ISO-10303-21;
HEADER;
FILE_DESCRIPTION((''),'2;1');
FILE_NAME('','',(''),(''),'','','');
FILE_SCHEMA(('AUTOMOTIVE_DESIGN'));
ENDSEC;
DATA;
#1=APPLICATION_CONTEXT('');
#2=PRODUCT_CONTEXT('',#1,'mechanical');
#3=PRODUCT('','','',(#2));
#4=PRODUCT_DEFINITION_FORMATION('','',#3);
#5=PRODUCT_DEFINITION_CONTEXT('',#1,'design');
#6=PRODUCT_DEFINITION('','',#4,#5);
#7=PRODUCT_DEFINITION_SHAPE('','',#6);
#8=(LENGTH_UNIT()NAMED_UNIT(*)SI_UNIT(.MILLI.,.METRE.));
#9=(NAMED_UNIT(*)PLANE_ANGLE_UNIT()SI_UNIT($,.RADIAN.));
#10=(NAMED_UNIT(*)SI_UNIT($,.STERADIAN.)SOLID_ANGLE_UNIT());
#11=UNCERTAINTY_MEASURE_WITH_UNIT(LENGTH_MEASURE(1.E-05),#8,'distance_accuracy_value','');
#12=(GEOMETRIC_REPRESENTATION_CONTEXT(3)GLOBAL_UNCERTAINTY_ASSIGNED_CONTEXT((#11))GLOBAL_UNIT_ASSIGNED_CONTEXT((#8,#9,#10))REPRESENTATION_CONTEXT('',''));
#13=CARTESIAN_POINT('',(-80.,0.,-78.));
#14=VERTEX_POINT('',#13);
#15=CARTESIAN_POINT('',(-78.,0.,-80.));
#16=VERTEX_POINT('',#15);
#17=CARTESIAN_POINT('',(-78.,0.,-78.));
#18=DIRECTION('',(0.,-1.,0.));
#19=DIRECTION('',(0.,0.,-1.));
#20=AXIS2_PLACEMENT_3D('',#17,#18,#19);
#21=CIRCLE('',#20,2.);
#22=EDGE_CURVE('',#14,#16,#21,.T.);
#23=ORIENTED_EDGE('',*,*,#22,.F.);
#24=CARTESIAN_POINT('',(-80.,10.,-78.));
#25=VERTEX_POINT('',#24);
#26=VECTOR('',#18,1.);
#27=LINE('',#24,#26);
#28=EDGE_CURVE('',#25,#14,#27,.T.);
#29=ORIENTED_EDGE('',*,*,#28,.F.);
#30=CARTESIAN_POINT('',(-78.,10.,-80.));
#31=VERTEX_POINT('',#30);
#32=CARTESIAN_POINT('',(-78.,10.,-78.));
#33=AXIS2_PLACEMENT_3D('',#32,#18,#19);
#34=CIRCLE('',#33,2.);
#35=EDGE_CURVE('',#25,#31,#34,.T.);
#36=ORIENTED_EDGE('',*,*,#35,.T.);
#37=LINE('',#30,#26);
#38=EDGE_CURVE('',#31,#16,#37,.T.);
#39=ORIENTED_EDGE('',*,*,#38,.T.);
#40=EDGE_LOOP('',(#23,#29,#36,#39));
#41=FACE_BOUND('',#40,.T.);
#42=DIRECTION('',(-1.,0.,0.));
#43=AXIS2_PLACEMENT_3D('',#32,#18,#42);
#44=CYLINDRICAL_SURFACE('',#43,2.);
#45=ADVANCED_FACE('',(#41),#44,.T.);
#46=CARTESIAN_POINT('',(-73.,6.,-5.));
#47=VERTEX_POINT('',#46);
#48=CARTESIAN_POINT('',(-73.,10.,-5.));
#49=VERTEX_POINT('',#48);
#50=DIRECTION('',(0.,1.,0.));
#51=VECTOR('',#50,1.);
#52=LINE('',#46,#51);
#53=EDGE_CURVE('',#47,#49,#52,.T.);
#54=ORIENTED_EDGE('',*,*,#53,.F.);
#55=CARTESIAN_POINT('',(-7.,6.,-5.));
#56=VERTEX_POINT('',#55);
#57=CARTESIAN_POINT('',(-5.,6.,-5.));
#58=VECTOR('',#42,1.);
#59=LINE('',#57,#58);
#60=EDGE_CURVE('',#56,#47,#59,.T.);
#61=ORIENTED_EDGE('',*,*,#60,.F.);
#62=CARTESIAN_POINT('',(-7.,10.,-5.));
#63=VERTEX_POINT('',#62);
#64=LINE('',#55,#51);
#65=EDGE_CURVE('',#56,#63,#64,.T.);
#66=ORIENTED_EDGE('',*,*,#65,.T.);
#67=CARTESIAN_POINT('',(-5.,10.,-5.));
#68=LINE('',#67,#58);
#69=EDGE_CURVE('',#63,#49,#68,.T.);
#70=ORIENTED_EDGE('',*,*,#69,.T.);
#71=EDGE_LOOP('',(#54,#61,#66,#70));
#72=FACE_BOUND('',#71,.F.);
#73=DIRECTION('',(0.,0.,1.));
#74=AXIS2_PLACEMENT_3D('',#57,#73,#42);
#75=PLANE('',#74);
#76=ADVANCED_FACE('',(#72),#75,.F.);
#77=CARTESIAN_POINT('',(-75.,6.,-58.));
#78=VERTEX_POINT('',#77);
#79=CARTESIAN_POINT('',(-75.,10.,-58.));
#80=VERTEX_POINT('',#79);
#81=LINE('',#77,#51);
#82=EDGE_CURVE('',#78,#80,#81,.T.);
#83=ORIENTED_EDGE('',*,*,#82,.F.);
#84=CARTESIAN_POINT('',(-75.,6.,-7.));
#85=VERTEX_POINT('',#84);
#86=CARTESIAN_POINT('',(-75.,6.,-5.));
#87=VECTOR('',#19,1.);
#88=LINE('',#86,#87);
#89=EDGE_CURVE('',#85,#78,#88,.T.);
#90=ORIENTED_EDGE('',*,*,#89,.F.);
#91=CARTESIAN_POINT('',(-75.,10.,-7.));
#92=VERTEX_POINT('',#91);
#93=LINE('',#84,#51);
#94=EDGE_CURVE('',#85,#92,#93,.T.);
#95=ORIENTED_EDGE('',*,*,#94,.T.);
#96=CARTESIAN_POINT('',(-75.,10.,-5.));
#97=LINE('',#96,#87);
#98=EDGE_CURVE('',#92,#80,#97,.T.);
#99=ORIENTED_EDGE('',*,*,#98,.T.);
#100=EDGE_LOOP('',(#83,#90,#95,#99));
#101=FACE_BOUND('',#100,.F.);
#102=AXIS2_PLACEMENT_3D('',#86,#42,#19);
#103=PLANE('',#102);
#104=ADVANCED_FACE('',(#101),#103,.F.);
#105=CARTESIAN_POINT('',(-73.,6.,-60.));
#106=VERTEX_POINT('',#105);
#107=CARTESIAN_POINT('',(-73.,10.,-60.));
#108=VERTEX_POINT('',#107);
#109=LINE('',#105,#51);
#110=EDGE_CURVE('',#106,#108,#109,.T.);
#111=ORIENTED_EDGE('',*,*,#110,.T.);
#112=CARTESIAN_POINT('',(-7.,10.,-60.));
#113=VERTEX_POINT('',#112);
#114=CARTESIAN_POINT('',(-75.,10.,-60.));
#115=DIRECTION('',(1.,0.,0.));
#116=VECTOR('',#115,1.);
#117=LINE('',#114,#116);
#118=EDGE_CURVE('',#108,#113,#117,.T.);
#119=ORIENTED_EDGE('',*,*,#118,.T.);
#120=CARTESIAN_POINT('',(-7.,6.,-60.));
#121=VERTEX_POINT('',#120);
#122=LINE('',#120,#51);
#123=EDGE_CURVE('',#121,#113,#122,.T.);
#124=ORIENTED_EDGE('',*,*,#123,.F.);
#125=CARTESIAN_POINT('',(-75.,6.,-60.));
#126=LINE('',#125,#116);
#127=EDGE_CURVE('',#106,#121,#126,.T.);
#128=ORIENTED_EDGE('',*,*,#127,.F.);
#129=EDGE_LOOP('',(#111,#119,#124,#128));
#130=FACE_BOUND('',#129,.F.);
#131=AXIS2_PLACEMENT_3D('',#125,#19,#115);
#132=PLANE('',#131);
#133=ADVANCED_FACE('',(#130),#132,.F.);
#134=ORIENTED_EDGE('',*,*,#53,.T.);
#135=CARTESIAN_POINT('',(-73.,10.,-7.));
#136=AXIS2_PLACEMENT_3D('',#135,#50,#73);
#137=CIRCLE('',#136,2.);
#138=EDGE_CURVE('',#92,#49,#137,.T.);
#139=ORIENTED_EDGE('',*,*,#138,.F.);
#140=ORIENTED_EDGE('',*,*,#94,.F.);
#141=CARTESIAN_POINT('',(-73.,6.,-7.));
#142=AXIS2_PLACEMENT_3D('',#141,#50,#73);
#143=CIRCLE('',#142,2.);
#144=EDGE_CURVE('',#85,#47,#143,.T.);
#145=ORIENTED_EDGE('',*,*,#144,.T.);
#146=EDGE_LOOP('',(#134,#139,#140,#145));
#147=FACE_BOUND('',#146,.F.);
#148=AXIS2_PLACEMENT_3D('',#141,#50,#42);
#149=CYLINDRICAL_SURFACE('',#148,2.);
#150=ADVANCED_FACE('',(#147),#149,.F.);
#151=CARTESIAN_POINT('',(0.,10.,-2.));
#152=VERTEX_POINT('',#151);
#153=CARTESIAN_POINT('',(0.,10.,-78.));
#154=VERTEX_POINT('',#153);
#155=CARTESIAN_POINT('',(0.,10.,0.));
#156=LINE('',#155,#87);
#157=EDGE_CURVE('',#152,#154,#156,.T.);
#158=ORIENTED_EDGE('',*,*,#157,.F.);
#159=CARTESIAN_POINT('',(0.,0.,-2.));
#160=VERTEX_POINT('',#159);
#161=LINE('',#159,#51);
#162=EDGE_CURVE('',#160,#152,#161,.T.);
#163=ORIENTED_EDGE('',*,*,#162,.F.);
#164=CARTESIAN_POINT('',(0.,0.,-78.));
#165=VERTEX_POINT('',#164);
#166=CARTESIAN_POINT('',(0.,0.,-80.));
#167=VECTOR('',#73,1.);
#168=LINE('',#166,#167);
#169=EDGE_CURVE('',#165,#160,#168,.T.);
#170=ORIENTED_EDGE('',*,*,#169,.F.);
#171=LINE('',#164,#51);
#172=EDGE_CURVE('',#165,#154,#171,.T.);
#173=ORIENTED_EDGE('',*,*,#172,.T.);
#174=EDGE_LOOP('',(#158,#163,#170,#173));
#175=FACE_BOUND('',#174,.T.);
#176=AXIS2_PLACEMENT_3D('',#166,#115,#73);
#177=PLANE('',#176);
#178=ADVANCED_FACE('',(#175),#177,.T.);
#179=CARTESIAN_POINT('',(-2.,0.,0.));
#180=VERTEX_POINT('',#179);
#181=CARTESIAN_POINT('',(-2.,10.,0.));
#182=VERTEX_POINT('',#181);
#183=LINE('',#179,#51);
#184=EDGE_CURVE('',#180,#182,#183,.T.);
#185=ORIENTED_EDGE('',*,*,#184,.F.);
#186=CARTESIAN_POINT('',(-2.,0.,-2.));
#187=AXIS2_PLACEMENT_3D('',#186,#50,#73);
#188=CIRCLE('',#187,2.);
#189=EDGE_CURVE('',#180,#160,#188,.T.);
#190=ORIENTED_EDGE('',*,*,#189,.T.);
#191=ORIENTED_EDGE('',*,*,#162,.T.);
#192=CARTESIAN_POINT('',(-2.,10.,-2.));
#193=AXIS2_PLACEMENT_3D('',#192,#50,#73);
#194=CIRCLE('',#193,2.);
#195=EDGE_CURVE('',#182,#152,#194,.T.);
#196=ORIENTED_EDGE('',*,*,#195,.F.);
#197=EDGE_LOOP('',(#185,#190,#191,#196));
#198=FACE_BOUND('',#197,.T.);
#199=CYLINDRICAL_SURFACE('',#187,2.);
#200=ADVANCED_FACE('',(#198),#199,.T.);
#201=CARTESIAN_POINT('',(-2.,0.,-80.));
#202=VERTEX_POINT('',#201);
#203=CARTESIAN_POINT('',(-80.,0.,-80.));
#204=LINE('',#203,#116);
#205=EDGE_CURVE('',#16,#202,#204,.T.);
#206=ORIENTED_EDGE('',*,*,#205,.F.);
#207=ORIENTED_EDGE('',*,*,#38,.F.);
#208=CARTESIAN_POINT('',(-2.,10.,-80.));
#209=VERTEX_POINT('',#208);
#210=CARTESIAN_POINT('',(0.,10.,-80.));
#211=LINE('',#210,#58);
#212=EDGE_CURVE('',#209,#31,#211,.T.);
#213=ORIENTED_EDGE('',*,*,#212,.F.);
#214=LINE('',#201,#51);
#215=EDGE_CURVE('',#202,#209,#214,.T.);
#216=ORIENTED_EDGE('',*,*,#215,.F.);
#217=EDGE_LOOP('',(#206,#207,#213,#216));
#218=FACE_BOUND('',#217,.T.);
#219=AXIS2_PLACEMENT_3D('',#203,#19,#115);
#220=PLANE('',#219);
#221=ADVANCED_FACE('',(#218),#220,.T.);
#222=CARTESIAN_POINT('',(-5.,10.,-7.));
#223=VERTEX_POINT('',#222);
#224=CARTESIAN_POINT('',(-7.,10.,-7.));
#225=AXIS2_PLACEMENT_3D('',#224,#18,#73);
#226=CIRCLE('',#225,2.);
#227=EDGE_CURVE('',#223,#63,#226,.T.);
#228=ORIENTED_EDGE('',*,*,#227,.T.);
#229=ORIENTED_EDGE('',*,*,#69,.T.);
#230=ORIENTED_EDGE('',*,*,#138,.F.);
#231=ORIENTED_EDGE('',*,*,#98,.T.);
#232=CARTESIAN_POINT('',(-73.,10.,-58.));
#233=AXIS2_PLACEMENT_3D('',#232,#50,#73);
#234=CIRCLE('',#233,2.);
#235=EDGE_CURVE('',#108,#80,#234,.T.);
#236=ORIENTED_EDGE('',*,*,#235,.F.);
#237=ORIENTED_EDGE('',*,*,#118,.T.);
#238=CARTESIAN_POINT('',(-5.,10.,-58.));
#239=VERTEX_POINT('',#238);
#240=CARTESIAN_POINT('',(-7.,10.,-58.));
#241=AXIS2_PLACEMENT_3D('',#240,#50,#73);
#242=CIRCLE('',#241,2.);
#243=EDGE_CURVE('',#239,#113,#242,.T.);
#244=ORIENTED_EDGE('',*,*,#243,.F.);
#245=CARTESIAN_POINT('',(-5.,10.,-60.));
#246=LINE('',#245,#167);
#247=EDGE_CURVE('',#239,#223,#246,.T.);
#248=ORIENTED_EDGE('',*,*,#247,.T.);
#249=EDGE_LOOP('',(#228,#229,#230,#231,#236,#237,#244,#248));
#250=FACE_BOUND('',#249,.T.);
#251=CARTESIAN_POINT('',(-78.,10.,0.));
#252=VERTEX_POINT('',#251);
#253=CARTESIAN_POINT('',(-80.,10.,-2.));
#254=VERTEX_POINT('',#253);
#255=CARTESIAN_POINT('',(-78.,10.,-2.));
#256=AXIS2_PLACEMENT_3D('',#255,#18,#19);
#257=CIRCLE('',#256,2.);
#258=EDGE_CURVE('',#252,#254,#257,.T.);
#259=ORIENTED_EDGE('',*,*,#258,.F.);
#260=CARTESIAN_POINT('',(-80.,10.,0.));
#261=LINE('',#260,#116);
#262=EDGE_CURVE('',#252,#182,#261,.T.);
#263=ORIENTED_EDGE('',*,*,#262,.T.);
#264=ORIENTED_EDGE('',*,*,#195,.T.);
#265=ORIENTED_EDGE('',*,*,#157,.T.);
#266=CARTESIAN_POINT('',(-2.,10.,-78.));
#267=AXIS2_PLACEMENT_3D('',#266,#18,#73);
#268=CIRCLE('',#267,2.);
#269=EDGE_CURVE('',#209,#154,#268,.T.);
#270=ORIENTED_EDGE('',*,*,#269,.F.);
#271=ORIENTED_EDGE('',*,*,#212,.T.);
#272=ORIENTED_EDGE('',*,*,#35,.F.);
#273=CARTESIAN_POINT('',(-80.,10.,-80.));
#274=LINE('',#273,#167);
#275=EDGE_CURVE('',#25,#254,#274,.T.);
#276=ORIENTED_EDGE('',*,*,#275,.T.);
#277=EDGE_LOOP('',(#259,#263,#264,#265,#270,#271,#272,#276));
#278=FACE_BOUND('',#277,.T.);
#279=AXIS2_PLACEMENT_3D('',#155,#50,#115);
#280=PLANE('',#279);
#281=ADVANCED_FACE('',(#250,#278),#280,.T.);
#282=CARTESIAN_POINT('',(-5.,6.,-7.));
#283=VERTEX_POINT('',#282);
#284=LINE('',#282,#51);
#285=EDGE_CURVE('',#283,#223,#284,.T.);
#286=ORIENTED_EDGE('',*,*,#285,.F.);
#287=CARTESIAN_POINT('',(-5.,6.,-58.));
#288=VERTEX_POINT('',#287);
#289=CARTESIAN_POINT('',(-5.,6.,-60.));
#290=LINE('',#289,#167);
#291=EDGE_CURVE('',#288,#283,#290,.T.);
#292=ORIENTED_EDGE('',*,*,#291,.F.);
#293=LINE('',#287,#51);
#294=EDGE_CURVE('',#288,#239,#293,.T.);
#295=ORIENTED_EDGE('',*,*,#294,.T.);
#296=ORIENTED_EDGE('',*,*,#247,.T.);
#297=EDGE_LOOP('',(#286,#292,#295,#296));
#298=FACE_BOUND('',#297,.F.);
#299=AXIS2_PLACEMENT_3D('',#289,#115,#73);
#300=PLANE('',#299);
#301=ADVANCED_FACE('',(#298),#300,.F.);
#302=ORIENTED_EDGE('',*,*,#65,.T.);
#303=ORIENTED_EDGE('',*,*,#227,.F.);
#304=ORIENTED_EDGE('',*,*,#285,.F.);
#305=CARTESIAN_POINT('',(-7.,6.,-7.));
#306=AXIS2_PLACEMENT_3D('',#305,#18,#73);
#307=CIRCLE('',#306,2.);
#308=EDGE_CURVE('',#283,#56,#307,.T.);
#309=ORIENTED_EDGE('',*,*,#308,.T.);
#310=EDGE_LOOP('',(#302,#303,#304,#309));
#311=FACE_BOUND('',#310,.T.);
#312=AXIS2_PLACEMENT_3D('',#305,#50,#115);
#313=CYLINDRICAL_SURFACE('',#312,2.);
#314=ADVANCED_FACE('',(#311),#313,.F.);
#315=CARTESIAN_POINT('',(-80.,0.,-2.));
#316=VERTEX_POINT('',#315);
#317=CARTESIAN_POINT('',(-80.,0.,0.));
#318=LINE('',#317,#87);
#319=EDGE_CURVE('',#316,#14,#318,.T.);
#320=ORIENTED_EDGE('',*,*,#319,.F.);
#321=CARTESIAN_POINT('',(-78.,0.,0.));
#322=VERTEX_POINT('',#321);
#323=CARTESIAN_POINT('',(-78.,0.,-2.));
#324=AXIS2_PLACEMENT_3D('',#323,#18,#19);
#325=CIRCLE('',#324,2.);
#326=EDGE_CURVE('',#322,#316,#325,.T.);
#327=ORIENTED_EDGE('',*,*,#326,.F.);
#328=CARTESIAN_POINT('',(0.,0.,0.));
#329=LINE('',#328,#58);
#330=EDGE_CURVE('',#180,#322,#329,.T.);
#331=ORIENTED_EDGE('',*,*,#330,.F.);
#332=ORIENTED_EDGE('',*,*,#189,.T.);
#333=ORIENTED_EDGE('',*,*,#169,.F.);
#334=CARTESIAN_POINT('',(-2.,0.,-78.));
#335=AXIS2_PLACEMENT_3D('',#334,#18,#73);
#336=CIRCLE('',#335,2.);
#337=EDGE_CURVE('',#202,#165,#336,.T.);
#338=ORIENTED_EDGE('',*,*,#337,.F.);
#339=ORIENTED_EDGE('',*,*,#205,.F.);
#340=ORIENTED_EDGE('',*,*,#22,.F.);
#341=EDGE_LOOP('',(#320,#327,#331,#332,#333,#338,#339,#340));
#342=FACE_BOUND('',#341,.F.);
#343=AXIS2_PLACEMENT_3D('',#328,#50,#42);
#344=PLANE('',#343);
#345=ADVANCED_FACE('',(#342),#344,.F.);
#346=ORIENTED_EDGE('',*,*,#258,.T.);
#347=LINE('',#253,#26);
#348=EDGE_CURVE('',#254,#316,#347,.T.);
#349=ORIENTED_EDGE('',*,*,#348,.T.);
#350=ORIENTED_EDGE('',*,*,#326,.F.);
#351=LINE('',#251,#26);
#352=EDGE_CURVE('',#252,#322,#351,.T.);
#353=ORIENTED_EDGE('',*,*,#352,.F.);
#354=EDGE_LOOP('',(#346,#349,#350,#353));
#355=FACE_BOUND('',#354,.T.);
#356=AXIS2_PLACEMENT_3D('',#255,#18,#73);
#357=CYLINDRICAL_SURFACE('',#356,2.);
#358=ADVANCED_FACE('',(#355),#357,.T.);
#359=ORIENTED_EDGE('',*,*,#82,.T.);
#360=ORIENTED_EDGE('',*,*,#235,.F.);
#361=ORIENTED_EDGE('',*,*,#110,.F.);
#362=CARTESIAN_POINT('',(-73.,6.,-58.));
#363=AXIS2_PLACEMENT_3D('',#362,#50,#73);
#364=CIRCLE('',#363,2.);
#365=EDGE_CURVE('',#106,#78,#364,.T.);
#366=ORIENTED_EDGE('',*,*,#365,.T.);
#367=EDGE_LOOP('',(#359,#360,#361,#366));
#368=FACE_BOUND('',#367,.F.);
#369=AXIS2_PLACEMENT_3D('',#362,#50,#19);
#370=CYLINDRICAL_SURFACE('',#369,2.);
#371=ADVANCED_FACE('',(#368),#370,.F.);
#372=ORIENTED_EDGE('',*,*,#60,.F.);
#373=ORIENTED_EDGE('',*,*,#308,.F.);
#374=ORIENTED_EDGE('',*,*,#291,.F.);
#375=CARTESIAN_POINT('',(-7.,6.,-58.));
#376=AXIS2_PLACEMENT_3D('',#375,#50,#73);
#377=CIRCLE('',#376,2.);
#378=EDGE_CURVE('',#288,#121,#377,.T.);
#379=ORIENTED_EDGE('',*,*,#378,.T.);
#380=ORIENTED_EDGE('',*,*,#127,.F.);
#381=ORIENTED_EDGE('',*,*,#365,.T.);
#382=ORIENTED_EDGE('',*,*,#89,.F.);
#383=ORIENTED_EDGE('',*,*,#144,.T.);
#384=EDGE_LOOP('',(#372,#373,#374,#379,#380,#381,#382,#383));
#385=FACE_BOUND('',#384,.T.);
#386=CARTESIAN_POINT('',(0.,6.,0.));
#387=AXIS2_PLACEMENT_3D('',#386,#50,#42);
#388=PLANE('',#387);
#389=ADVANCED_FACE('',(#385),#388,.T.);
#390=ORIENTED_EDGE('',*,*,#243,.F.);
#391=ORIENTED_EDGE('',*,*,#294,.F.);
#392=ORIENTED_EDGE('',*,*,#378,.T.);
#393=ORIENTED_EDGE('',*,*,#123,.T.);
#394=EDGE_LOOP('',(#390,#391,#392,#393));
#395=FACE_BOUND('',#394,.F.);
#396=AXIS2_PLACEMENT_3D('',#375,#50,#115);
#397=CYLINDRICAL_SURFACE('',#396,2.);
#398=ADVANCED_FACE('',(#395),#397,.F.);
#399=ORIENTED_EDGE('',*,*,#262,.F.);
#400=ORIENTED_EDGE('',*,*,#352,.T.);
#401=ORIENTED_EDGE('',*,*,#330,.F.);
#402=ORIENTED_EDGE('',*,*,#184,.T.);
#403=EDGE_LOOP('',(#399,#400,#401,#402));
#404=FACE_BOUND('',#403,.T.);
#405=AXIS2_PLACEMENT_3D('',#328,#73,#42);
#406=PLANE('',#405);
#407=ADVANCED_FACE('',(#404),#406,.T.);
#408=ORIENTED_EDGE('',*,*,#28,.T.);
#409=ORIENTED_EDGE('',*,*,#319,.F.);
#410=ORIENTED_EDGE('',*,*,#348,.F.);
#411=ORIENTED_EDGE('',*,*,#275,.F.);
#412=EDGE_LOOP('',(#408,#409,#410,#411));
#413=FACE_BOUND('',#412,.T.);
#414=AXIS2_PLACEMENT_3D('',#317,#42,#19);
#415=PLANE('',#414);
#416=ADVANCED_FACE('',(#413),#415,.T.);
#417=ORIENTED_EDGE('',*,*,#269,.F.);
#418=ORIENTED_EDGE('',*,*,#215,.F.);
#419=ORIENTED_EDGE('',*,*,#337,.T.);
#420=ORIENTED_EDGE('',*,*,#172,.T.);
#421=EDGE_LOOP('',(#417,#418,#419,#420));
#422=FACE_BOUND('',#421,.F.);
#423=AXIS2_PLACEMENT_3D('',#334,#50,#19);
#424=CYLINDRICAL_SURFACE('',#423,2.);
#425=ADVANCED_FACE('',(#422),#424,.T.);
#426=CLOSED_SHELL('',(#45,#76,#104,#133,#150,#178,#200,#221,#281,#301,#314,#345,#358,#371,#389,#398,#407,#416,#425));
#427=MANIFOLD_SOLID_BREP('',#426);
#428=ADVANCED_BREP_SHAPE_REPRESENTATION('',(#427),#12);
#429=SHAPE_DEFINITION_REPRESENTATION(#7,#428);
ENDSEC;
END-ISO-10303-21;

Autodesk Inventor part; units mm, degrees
ref_plane "YZ Plane" through (0, 0, 0) normal (1, 0, 0) x (0, 1, 0)
ref_plane "XZ Plane" through (0, 0, 0) normal (0, 1, 0) x (-1, 0, 0)
ref_plane "XY Plane" through (0, 0, 0) normal (0, 0, 1) x (1, 0, 0)
sketch "Sketch1" plane through (0, 0, 0) normal (0, 1, 0) x (-1, 0, 0)
  line L0 (0, 0) -> (80, 0)
  line L1 (80, 0) -> (80, -80)
  line L2 (80, -80) -> (0, -80)
  line L3 (0, -80) -> (0, 0)
  dimension "d0" = 80
  dimension "d1" = 80
extrude "Extrusion1" add sketch "Sketch1" along normal blind 6
sketch "Sketch2" plane through (0, 6, 0) normal (0, 1, 0) x (1, 0, 0)
  line L0 (-5, 5) -> (-75, 5)
  line L1 (-75, 5) -> (-75, 60)
  line L2 (-75, 60) -> (-5, 60)
  line L3 (-5, 60) -> (-5, 5)
  line L4 (0, 0) -> (0, 80) projected
  line L5 (-80, 0) -> (0, 0) projected
  line L6 (-80, 80) -> (-80, 0) projected
  line L7 (0, 80) -> (-80, 80) projected
  line L8 (-80, 0) -> (0, 0)
  line L9 (0, 0) -> (0, 80)
  line L10 (0, 80) -> (-80, 80)
  line L11 (-80, 80) -> (-80, 0)
  dimension "d8" = 70
  dimension "d9" = 55
  dimension "d10" = 5
  dimension "d11" = 5
extrude "Extrusion2" add sketch "Sketch2" along normal blind 4
fillet "Fillet1" radius 2 4 edges at (-75, 8, -60) (-5, 8, -60) (-5, 8, -5) (-75, 8, -5)
fillet "Fillet2" radius 2 4 edges at (0, 5, 0) (0, 5, -80) (-80, 5, -80) (-80, 5, 0)
properties part number "solar-panel-mount"
